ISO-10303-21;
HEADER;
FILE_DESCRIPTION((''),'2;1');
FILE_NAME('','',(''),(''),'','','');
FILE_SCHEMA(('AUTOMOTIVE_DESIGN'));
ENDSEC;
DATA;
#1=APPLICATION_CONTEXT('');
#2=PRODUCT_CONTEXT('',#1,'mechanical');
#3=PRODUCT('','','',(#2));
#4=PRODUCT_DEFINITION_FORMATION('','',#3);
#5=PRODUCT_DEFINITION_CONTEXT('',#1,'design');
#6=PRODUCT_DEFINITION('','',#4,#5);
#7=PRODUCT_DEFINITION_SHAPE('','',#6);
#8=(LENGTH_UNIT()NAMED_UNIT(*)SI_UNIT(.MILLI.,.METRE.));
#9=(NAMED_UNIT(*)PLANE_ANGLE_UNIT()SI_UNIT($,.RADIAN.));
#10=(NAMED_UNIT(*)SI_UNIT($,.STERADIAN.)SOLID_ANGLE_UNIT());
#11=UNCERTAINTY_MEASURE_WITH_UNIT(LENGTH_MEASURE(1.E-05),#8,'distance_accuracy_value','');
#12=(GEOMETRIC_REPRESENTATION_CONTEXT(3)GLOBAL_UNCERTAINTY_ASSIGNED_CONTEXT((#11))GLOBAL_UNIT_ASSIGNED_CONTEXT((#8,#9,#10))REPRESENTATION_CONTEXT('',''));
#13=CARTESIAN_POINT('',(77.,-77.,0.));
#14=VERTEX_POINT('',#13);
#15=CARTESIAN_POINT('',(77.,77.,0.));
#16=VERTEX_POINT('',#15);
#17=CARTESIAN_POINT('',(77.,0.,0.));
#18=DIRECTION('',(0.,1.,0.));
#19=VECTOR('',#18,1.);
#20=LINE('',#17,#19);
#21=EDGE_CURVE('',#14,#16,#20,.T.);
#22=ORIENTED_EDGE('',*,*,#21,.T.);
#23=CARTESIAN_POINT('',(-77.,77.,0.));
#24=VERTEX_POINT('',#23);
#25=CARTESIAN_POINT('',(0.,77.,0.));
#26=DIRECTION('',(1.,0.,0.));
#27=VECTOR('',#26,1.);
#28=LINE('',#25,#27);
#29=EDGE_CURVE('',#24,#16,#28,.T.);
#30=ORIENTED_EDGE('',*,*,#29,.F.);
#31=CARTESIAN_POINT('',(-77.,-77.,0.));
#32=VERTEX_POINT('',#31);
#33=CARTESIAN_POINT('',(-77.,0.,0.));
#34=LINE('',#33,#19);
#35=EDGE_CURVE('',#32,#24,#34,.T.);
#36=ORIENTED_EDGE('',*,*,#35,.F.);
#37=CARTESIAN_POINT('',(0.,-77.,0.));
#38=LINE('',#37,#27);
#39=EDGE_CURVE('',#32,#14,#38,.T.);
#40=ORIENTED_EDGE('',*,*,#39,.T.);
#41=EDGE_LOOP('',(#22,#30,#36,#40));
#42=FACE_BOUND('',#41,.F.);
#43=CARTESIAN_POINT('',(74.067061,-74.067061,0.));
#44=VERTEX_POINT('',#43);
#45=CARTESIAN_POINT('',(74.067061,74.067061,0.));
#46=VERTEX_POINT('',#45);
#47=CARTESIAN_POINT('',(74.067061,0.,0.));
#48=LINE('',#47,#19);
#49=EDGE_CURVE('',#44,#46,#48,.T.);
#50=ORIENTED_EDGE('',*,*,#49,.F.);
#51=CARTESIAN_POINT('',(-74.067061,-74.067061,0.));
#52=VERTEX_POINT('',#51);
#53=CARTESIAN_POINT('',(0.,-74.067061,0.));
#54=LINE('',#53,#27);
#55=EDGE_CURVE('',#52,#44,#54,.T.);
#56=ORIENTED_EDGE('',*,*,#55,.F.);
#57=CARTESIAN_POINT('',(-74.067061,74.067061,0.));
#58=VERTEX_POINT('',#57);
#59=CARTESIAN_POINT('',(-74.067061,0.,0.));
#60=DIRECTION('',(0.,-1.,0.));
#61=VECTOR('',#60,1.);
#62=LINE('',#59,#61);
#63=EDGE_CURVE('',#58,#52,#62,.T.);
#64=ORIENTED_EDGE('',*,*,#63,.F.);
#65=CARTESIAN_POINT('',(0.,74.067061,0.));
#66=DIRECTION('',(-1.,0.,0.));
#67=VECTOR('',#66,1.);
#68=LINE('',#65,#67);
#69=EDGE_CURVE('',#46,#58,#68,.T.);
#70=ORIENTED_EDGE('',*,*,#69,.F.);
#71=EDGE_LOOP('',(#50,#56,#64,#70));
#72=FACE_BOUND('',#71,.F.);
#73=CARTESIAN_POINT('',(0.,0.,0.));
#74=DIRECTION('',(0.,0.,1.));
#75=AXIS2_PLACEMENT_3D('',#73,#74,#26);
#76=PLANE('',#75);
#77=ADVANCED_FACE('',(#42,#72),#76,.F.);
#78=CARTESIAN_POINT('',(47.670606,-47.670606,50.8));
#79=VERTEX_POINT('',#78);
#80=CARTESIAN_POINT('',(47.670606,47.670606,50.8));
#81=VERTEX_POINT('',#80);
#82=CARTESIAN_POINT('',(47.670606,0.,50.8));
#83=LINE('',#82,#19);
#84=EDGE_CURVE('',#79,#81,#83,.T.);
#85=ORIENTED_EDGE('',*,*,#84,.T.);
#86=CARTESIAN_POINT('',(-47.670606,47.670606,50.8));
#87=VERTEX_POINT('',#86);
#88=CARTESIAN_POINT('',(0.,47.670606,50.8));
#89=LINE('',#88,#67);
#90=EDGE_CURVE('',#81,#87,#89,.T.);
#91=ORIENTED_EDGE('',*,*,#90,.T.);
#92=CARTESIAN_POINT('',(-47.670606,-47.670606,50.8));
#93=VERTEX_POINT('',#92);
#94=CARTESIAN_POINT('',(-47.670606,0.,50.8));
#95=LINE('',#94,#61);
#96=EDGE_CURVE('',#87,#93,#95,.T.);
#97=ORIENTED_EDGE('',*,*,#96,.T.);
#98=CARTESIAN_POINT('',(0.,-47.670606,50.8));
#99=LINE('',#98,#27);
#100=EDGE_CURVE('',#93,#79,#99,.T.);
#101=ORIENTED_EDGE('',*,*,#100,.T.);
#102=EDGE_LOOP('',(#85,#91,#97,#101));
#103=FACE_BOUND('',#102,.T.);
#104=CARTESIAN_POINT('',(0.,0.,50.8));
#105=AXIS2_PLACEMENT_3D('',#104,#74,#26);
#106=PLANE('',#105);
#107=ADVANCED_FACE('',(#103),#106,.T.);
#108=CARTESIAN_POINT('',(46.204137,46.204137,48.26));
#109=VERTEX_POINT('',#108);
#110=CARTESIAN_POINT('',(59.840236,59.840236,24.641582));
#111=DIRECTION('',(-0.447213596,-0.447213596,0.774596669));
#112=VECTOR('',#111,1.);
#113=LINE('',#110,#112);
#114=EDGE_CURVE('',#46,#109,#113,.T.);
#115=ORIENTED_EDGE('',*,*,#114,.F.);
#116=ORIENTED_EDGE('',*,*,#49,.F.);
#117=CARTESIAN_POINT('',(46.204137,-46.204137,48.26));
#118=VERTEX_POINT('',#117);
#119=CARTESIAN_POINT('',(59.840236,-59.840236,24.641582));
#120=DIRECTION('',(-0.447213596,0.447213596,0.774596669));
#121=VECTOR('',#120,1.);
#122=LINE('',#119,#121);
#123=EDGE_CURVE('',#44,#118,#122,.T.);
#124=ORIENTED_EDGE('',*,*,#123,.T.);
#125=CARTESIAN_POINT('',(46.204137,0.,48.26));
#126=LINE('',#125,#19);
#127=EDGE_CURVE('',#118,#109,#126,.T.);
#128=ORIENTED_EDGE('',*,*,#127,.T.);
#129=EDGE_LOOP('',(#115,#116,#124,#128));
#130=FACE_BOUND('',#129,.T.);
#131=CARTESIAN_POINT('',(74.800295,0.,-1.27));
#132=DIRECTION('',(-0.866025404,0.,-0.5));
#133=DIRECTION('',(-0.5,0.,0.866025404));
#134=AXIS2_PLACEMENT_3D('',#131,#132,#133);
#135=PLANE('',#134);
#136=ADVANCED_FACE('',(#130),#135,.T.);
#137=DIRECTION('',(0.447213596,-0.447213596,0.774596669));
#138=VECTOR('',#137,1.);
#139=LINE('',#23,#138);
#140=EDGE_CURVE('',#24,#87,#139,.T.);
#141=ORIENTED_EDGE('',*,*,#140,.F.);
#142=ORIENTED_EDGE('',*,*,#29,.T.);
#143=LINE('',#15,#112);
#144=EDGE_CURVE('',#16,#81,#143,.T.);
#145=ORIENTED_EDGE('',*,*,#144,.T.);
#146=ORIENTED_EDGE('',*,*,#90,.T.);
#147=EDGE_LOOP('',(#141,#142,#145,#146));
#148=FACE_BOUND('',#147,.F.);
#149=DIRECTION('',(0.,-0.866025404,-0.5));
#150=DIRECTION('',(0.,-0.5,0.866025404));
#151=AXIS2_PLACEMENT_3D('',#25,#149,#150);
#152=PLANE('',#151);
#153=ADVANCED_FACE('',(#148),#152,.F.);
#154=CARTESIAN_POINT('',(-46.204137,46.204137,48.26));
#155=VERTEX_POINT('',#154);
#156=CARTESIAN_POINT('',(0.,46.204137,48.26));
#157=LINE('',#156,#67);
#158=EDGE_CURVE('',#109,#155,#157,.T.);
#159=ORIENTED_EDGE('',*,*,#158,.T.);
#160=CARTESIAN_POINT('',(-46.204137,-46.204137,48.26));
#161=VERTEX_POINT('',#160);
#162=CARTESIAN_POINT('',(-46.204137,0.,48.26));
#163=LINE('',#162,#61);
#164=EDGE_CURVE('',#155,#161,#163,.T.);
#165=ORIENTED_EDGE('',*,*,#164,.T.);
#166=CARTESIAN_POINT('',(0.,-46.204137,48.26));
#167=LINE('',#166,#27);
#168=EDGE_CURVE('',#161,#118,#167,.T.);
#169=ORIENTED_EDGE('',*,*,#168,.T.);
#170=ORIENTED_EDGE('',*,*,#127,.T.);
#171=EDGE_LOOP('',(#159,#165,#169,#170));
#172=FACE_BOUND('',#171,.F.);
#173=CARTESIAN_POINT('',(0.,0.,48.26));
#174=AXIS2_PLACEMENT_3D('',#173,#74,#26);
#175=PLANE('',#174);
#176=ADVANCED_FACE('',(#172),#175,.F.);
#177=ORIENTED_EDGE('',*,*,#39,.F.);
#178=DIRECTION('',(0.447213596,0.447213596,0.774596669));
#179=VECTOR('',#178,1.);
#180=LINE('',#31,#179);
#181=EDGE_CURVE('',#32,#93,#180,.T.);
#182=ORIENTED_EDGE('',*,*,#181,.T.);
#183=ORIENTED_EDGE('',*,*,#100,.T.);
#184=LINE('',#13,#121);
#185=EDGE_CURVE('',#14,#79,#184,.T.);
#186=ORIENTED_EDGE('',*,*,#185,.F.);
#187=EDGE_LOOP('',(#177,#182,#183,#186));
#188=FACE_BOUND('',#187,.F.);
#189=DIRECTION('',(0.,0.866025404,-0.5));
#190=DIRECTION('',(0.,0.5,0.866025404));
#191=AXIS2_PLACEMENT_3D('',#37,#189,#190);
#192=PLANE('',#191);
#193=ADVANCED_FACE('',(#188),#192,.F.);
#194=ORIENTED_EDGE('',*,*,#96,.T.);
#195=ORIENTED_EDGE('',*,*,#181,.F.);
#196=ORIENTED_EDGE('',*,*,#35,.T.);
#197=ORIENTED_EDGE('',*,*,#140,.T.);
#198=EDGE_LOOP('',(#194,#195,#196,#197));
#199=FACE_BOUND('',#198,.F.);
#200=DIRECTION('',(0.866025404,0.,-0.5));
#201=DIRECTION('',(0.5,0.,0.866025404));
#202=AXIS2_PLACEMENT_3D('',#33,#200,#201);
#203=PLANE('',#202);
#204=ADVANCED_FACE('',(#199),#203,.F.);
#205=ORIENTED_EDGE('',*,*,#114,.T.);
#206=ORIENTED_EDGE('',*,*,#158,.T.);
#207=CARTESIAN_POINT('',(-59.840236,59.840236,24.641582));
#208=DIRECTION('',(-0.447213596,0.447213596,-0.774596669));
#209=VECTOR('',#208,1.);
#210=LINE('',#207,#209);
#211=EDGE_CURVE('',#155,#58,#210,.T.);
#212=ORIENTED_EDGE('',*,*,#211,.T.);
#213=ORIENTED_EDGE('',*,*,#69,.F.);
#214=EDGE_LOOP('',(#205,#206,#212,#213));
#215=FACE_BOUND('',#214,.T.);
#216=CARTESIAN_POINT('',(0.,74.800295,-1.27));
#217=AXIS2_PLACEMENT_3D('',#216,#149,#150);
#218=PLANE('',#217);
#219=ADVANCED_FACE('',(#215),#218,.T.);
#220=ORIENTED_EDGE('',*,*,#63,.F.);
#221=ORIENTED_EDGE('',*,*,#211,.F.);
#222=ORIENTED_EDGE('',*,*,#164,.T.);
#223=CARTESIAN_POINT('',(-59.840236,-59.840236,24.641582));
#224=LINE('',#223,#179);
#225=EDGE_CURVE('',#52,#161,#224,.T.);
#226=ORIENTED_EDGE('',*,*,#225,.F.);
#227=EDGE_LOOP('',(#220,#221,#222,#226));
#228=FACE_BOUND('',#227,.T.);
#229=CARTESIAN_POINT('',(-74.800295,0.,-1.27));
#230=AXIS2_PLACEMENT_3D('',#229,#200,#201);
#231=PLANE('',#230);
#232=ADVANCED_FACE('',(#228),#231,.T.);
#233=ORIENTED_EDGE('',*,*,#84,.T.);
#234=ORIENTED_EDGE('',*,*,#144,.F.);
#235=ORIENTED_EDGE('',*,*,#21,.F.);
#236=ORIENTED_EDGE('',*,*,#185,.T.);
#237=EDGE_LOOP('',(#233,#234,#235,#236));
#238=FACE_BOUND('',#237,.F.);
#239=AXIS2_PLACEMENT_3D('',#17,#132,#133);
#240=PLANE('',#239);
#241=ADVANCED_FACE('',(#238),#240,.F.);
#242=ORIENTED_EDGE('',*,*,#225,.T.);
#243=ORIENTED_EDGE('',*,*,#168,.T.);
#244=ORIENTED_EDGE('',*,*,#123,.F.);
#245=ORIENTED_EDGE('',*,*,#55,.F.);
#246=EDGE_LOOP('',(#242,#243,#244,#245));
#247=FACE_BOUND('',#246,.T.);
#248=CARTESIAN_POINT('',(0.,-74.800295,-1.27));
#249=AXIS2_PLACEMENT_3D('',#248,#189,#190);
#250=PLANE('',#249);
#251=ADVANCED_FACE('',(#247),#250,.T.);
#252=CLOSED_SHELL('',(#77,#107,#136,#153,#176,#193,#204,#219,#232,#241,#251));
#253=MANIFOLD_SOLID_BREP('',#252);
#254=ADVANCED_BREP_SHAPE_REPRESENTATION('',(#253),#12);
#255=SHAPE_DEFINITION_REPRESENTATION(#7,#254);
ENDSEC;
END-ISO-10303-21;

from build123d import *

# Parameters (mm, degrees)
F0_W     = 154
F0_H     = 154
F1_DEPTH = 50.8
F1_TAPER = 30
F2_T     = -2.54


with BuildPart() as f1:
    # F0 (on Top) → F1 (new body)
    with BuildSketch(Plane.XY):
        Rectangle(F0_W, F0_H)
    extrude(amount=F1_DEPTH, taper=F1_TAPER)

    # F2
    f2_openings = [f1.faces().sort_by_distance(p)[0] for p in [
        (0, 0, 0),
    ]]
    offset(amount=F2_T, openings=f2_openings)


solid = f1.part
